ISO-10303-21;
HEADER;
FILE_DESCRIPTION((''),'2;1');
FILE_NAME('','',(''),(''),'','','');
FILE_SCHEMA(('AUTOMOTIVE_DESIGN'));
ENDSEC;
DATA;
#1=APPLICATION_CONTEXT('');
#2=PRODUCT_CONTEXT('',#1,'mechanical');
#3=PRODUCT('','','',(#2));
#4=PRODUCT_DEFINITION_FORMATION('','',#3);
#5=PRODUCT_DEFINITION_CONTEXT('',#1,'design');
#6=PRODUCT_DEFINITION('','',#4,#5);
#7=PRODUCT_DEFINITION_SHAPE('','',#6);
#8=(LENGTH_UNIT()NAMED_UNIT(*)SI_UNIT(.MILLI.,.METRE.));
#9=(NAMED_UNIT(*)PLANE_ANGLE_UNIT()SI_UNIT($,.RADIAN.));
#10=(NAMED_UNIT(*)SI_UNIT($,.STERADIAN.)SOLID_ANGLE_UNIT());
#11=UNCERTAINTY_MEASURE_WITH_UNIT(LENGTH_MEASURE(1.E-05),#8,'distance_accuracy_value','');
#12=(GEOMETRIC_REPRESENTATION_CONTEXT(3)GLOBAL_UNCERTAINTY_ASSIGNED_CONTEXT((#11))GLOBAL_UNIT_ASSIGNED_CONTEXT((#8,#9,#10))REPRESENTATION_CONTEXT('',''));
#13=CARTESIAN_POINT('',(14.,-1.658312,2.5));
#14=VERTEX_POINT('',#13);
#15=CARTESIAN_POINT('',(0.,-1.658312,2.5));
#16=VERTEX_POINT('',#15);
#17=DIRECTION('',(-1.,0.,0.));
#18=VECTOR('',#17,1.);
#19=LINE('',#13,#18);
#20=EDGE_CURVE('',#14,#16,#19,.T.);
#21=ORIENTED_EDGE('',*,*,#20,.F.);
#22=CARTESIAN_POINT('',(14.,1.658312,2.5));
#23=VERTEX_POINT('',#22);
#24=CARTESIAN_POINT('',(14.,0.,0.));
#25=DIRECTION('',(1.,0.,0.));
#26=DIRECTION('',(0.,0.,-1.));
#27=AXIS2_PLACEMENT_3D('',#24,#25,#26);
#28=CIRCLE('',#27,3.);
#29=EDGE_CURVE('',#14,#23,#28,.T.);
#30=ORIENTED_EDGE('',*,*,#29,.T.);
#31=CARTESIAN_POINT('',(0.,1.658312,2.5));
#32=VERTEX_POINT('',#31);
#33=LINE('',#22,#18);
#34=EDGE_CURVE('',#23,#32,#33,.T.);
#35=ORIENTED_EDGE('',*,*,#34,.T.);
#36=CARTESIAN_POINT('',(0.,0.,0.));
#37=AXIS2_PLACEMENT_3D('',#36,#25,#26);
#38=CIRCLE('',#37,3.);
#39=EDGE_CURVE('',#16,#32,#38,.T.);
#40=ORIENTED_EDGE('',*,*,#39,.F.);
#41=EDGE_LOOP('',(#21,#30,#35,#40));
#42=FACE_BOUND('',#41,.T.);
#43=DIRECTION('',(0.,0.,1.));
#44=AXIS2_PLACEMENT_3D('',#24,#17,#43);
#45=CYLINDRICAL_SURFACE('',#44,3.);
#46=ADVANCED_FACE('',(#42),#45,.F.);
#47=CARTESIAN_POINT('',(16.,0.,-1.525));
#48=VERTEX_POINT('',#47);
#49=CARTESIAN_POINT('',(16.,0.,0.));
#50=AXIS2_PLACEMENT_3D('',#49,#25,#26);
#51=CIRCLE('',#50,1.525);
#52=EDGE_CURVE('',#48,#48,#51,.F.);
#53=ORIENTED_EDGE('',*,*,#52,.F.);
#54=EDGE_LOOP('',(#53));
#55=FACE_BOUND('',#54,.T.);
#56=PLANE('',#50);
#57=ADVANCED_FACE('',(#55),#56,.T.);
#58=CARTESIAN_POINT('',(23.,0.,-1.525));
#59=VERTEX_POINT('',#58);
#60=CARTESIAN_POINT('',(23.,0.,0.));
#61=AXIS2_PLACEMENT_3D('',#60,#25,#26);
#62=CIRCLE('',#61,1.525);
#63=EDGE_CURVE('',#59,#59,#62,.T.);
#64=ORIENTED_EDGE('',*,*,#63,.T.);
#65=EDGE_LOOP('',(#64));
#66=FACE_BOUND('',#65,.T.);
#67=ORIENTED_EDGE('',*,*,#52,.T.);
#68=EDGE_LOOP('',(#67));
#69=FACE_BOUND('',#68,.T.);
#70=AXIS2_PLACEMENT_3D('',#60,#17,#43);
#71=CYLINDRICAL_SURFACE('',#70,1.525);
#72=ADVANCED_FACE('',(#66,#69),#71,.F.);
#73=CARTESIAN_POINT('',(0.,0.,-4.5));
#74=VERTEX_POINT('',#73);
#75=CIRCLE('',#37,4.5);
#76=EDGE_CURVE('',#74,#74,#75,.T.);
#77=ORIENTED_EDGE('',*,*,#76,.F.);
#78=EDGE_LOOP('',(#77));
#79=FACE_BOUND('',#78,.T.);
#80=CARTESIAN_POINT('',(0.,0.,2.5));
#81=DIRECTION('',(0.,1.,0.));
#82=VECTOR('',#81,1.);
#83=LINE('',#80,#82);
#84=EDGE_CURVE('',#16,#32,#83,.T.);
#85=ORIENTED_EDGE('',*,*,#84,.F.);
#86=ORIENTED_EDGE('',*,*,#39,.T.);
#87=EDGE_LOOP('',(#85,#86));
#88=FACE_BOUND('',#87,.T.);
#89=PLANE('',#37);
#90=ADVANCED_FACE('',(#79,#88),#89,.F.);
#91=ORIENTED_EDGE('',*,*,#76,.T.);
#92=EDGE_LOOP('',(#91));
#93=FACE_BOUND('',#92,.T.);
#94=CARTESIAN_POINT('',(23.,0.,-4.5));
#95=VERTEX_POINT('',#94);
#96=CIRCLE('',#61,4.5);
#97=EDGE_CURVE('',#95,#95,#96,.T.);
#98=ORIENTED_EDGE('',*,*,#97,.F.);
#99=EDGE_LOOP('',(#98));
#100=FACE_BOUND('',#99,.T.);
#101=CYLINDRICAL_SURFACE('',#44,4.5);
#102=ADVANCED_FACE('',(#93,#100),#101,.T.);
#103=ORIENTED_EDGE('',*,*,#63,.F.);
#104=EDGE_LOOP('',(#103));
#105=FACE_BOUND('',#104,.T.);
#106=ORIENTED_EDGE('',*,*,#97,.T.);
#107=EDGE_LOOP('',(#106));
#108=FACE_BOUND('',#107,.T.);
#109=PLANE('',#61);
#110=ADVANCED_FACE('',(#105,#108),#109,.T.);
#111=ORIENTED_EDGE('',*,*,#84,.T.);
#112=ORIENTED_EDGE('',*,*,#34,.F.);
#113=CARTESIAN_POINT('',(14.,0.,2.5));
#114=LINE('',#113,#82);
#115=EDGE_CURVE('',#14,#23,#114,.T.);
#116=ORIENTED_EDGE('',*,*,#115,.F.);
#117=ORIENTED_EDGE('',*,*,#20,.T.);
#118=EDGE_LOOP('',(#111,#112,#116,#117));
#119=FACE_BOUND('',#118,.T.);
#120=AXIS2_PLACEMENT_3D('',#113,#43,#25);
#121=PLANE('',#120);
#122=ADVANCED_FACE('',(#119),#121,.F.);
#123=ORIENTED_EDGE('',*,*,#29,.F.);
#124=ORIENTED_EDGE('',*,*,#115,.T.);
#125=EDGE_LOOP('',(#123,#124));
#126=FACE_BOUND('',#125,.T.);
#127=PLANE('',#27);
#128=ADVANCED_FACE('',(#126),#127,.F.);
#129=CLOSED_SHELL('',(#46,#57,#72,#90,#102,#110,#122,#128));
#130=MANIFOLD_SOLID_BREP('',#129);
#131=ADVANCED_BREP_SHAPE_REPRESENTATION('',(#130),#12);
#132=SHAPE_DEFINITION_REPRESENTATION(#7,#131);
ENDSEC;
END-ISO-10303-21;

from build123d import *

# Parameters (mm, degrees)
SKETCH1_R           = 4.5
BOSS_EXTRUDE1_DEPTH = 14
SKETCH2_R           = 4.5
BOSS_EXTRUDE2_DEPTH = 2
SKETCH3_R           = 4.5
SKETCH3_R_2         = 1.525
BOSS_EXTRUDE3_DEPTH = 7


with BuildPart() as part:
    # Sketch1 → Boss-Extrude1 (new body)
    with BuildSketch(Plane.YZ):
        with Locations(Location((0, 0, 0), (0, 0, 270))):
            Circle(SKETCH1_R)
        with BuildLine():
            Line((-1.658312395, 2.5), (1.658312395, 2.5))
            ThreePointArc((1.658312395, 2.5), (0, -3), (-1.658312395, 2.5))
        make_face(mode=Mode.SUBTRACT)
    extrude(amount=BOSS_EXTRUDE1_DEPTH)

    # Sketch2 → Boss-Extrude2 (add)
    with BuildSketch(Plane.YZ.offset(14)):
        with Locations(Location((0, 0, 0), (0, 0, 270))):
            Circle(SKETCH2_R)
    extrude(amount=BOSS_EXTRUDE2_DEPTH)

    # Sketch3 → Boss-Extrude3 (add)
    with BuildSketch(Plane.YZ.offset(16)):
        with Locations(Location((0, 0, 0), (0, 0, 270))):
            Circle(SKETCH3_R)
        with Locations(Location((0, 0, 0), (0, 0, 270))):
            Circle(SKETCH3_R_2, mode=Mode.SUBTRACT)
    extrude(amount=BOSS_EXTRUDE3_DEPTH)


solid = part.part
